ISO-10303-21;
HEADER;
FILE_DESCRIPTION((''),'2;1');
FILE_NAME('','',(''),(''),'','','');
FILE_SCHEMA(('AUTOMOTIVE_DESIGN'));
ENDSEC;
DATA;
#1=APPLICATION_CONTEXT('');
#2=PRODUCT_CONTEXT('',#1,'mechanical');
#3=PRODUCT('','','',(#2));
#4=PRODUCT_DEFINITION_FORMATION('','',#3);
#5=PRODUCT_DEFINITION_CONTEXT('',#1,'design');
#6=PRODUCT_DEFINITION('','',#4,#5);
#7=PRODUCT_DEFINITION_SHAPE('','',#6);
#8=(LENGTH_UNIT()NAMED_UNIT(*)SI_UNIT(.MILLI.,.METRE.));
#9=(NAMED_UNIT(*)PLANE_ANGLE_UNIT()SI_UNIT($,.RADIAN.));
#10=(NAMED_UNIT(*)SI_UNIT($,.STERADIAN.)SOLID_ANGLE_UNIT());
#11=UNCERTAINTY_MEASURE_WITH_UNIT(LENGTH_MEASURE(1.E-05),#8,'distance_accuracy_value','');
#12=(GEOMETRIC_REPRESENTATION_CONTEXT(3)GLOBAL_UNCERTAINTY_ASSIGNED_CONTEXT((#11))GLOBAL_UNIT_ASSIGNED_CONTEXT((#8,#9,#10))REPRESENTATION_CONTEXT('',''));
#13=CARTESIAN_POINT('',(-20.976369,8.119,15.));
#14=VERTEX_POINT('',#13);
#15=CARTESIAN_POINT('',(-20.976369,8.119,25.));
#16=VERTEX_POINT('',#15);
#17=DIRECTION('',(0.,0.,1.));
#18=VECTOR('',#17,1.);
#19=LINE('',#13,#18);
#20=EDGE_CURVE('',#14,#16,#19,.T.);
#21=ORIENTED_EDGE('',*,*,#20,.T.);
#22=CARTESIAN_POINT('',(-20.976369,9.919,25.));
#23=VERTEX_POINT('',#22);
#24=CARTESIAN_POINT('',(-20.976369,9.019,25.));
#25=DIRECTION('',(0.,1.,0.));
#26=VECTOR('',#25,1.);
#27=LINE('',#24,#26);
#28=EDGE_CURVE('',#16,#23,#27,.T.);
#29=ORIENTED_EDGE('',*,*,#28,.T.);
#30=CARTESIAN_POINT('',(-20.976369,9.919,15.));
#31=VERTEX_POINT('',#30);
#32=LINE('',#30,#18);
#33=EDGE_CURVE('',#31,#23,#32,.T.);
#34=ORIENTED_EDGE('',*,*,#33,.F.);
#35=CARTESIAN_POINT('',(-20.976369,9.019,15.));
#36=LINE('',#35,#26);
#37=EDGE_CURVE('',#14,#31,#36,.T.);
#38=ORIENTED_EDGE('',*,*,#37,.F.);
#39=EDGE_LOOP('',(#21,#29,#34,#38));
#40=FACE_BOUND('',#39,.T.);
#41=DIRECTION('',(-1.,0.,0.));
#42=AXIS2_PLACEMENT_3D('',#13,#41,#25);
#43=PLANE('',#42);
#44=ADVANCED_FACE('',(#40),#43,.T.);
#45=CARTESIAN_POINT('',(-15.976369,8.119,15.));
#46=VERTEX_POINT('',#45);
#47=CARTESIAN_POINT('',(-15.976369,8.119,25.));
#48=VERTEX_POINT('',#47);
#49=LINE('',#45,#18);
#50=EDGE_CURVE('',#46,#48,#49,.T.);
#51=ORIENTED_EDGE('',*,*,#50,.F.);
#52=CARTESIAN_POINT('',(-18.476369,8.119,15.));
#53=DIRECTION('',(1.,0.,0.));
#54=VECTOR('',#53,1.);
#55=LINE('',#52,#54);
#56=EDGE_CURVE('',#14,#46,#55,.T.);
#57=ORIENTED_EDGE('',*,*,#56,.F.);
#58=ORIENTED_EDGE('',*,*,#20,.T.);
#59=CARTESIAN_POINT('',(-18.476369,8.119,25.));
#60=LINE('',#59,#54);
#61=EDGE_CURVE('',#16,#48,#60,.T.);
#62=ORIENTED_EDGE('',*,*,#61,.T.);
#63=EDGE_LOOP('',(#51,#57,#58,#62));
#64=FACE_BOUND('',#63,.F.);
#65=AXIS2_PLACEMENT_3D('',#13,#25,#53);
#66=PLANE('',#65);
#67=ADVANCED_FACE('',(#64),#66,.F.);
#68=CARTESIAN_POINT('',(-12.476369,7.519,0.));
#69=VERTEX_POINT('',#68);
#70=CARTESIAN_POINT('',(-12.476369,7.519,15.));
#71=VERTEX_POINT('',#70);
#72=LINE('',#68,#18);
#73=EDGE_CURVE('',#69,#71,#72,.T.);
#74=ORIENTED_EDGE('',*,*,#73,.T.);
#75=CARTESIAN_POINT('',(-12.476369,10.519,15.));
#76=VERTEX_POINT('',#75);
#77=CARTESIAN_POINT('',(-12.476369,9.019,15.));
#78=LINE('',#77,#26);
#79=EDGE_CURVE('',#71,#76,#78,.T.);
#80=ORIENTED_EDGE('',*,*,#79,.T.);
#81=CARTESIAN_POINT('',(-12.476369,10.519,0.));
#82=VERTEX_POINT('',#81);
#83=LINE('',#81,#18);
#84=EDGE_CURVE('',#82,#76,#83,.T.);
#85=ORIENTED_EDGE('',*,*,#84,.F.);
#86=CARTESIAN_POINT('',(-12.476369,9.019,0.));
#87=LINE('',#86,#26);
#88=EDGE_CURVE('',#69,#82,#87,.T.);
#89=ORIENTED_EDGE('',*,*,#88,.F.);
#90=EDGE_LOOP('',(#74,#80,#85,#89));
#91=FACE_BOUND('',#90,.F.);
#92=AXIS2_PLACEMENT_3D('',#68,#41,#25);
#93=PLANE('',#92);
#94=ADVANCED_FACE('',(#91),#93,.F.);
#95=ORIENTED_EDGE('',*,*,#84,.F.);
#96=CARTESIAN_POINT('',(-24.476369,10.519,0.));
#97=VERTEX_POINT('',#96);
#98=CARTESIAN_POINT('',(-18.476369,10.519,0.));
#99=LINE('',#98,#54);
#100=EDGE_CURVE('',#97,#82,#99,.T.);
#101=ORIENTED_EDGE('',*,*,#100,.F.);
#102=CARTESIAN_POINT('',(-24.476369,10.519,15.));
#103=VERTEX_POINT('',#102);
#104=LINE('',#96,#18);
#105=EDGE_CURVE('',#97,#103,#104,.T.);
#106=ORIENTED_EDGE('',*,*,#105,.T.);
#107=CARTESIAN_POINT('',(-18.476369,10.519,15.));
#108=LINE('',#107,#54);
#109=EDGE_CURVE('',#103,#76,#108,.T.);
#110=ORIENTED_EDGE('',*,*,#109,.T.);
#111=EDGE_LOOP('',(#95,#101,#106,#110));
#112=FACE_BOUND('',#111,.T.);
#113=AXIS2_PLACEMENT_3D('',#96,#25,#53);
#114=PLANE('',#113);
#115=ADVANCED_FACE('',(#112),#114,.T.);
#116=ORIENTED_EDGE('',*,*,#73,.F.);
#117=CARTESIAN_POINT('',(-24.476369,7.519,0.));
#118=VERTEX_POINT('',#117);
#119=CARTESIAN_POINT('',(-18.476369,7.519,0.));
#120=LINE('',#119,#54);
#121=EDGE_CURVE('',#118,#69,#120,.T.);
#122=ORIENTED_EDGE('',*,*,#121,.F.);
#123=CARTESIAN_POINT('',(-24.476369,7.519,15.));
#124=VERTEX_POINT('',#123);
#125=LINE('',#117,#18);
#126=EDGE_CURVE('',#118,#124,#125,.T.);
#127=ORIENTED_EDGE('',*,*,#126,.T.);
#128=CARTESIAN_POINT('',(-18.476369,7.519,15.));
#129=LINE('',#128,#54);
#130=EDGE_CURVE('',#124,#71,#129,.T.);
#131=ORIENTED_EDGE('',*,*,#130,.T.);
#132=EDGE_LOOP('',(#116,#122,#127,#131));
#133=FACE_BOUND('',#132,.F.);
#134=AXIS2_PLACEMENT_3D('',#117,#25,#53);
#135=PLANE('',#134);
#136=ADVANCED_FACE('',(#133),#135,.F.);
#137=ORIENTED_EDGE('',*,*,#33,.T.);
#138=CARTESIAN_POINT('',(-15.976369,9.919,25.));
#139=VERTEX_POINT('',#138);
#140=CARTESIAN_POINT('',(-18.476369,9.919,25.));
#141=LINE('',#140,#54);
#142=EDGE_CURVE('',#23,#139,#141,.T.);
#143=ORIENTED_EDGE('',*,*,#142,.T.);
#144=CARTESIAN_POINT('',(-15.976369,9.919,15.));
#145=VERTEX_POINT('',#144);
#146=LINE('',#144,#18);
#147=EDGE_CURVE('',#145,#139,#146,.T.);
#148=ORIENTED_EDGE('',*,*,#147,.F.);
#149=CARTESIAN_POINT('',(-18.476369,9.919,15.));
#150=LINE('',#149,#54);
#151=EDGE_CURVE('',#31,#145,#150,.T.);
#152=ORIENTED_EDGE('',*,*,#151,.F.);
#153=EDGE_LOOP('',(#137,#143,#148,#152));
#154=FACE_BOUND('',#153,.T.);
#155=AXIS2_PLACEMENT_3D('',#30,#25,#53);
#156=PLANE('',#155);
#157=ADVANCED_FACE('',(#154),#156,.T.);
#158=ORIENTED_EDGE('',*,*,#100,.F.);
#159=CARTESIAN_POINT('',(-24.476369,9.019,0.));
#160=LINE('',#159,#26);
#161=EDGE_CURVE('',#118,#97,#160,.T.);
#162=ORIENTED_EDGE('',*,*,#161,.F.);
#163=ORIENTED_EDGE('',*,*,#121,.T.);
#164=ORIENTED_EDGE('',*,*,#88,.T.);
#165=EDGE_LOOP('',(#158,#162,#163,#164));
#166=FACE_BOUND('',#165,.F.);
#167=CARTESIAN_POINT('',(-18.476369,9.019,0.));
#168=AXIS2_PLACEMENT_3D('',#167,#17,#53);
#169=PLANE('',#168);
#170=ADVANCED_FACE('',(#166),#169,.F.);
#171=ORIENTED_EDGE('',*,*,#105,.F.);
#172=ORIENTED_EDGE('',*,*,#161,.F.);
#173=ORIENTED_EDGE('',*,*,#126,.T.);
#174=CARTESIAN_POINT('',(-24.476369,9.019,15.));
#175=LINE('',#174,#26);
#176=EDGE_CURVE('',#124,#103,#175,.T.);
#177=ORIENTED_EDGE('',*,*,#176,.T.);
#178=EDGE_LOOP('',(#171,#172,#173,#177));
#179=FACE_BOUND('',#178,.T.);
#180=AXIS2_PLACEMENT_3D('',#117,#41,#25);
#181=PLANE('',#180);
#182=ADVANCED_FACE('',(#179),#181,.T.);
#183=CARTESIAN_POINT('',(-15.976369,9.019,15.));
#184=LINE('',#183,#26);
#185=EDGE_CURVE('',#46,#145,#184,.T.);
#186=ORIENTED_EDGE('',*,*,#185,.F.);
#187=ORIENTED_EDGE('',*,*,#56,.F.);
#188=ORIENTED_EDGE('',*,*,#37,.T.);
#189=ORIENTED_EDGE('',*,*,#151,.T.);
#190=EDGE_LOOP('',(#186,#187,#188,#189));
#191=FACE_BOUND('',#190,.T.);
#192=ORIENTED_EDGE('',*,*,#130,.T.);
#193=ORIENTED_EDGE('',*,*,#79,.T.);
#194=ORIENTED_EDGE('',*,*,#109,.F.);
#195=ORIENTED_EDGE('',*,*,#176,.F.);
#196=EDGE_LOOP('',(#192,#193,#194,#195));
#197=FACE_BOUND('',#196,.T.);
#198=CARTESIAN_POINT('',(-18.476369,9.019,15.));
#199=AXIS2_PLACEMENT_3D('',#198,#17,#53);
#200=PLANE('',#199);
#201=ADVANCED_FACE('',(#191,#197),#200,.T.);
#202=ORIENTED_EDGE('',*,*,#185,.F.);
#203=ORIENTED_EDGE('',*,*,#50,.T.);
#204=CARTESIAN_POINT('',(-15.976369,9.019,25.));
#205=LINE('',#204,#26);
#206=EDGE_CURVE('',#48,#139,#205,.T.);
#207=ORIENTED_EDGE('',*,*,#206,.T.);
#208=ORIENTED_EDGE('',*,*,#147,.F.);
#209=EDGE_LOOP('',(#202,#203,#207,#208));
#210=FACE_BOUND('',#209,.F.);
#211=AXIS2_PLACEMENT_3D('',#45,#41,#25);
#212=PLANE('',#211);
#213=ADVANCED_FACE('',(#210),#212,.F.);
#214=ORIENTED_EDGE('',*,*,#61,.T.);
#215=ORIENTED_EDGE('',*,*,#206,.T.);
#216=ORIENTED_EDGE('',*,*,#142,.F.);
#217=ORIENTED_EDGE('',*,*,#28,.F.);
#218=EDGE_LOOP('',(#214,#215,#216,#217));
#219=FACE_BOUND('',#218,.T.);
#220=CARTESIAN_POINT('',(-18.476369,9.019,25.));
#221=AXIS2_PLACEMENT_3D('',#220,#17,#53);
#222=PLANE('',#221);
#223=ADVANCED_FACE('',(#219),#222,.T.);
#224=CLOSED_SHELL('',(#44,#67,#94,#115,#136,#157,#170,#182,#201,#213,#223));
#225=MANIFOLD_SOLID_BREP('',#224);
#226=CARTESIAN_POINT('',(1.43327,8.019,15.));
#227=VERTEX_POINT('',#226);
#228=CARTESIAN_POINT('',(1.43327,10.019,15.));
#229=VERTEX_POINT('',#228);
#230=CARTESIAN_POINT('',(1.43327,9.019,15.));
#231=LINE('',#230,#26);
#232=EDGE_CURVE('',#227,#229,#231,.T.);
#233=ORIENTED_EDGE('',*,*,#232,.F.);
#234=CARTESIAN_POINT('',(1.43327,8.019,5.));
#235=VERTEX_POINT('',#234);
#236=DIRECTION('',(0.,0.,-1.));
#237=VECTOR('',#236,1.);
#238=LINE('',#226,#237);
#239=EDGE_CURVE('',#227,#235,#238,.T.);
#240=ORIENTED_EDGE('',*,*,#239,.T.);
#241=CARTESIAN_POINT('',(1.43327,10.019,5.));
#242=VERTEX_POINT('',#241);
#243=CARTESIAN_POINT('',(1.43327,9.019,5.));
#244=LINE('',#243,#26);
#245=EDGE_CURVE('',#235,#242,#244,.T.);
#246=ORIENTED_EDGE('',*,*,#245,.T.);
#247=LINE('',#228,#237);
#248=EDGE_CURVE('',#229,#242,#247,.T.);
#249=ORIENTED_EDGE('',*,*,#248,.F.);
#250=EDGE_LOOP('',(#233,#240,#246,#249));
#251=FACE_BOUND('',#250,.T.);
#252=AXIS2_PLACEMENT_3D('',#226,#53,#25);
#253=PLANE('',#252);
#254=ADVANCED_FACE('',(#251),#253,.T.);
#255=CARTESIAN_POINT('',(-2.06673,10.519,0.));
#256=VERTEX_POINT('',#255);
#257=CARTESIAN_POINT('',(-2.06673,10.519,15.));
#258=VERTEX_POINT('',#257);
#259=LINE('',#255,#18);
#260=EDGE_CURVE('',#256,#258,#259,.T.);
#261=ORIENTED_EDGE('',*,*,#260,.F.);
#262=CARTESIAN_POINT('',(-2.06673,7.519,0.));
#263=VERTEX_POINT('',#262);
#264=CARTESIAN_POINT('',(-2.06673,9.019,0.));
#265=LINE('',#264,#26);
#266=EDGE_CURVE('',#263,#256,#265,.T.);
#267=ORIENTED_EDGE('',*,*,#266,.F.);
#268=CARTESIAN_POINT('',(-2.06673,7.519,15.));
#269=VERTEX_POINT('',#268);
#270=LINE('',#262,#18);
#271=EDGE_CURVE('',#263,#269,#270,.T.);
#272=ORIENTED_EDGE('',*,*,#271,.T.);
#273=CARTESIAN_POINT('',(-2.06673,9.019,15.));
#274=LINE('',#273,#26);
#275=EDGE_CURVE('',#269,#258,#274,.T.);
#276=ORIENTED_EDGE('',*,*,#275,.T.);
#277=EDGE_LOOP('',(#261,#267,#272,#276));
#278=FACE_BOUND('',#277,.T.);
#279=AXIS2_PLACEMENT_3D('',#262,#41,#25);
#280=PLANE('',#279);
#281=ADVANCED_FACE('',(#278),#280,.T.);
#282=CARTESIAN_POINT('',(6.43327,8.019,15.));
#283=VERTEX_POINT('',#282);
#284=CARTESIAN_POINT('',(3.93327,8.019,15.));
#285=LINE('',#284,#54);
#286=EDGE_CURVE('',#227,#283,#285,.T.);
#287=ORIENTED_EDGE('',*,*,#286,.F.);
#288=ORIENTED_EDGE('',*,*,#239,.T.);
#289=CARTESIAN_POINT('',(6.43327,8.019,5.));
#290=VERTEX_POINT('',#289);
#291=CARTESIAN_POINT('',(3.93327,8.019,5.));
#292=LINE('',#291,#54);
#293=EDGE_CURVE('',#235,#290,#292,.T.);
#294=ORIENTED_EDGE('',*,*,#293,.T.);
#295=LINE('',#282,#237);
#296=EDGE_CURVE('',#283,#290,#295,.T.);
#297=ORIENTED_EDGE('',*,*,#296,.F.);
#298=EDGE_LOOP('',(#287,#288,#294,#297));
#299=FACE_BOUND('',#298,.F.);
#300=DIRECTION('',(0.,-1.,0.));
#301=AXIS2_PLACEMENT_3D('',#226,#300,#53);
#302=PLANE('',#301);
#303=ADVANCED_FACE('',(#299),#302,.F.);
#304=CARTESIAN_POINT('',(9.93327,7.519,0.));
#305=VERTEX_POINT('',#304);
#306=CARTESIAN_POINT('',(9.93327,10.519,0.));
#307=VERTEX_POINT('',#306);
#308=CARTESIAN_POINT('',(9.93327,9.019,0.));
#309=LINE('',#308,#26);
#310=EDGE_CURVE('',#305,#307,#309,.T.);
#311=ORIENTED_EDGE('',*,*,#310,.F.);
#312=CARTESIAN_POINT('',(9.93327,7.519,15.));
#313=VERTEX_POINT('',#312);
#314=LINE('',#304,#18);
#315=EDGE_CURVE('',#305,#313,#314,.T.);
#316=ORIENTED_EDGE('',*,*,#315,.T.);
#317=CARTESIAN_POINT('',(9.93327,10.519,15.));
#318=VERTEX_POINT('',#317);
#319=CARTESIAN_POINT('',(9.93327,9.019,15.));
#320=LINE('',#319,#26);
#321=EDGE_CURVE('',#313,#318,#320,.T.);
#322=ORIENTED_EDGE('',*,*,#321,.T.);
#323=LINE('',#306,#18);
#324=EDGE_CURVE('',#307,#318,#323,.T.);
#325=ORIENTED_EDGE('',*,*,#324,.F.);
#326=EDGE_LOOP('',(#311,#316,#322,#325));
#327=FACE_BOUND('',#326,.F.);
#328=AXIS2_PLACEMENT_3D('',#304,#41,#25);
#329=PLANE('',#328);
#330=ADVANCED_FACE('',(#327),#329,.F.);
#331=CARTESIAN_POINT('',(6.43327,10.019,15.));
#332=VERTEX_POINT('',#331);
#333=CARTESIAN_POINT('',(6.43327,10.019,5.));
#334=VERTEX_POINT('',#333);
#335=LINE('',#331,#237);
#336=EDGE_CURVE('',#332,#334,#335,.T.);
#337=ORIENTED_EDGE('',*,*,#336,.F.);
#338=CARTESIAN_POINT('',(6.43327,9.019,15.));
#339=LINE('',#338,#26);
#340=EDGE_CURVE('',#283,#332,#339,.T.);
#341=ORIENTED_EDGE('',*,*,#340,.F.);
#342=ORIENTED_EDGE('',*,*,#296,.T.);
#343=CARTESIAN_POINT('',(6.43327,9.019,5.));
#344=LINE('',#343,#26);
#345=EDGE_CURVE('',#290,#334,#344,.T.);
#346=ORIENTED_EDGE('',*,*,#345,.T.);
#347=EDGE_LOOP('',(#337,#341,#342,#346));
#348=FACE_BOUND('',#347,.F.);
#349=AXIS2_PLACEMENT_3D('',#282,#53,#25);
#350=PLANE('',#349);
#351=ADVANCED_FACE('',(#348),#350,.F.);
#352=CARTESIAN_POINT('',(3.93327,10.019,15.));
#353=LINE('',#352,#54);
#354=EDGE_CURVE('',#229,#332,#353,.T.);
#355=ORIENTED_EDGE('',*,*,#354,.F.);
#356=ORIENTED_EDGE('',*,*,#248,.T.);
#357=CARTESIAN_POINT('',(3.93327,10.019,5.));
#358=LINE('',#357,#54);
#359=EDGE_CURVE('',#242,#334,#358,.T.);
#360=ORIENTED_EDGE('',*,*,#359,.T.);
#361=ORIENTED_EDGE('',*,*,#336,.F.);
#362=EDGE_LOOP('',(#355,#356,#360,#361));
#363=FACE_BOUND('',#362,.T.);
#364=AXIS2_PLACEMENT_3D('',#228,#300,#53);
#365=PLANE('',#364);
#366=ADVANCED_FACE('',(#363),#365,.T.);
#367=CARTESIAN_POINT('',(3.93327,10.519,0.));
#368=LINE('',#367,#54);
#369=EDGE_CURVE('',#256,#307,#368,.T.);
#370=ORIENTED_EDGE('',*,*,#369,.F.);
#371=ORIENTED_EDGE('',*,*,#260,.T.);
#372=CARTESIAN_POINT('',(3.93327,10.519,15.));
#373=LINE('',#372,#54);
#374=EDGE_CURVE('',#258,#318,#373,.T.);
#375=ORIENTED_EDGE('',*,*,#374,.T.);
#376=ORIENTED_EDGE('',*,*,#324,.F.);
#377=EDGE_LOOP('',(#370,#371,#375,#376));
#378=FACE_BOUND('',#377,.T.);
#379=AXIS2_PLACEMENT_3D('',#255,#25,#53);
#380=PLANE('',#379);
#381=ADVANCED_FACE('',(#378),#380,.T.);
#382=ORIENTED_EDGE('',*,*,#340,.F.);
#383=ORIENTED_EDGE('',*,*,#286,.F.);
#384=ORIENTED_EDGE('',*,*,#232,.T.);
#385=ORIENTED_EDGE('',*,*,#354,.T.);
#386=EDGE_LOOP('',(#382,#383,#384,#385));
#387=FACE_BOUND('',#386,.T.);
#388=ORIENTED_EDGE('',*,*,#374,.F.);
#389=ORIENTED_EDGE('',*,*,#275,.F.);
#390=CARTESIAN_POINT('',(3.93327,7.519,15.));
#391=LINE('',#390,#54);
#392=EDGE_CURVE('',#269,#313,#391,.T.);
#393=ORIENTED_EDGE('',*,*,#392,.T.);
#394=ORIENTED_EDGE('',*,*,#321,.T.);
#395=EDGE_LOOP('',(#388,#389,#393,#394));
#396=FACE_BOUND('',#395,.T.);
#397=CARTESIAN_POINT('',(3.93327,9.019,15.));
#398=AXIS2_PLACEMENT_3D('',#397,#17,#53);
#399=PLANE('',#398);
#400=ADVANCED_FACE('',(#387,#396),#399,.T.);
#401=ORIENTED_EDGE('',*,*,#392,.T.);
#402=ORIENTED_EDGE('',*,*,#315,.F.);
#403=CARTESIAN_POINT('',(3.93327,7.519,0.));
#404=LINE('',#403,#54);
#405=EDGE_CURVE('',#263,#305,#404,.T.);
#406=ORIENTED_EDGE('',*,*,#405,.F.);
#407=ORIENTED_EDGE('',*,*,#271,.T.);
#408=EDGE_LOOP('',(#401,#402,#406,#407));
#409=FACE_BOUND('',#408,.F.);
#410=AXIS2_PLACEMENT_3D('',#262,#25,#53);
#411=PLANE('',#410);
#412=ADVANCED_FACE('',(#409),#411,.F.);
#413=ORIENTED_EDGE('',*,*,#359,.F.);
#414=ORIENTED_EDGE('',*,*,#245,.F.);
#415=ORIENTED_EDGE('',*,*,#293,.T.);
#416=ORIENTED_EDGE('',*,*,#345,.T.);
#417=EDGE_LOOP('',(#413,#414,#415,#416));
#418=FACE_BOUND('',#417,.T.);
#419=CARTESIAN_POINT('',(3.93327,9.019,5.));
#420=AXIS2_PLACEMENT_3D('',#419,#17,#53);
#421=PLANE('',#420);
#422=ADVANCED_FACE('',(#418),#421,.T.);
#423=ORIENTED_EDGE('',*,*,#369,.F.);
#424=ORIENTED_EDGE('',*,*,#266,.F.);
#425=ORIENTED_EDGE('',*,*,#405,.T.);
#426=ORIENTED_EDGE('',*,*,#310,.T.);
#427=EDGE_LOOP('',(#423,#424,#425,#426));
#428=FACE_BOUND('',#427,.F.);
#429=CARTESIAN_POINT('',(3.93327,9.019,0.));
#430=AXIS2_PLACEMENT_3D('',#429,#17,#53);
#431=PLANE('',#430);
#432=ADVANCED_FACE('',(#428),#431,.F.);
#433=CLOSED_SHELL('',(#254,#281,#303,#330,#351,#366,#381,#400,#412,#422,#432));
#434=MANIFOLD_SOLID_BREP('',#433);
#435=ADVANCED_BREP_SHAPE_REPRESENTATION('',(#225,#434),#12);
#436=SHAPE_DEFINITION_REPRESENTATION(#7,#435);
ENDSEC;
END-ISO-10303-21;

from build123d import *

# Parameters (mm, degrees)
F0_W     = 12
F0_H     = 3
F1_DEPTH = 15
F2_W     = 5
F2_H     = 1.8
F3_DEPTH = 10
F4_W     = 5
F4_H     = 2
F5_DEPTH = 10


with BuildPart() as f1:
    # F0 (on Top) → F1 (new body)
    with BuildSketch(Plane.XY):
        with Locations((-18.476369, 9.019)):
            Rectangle(F0_W, F0_H)
        with Locations((3.93327, 9.019)):
            Rectangle(F0_W, F0_H)
    extrude(amount=F1_DEPTH)

    # F2 (on face) → F3 (join)
    with BuildSketch(Plane.XY.offset(15)):
        with Locations((-18.476369, 9.019)):
            Rectangle(F2_W, F2_H)
    extrude(amount=F3_DEPTH)

    # F4 (on face) → F5 (cut)
    with BuildSketch(Plane.XY.offset(15)):
        with Locations((3.93327, 9.019)):
            Rectangle(F4_W, F4_H)
    extrude(amount=-F5_DEPTH, mode=Mode.SUBTRACT)


solid = f1.part
